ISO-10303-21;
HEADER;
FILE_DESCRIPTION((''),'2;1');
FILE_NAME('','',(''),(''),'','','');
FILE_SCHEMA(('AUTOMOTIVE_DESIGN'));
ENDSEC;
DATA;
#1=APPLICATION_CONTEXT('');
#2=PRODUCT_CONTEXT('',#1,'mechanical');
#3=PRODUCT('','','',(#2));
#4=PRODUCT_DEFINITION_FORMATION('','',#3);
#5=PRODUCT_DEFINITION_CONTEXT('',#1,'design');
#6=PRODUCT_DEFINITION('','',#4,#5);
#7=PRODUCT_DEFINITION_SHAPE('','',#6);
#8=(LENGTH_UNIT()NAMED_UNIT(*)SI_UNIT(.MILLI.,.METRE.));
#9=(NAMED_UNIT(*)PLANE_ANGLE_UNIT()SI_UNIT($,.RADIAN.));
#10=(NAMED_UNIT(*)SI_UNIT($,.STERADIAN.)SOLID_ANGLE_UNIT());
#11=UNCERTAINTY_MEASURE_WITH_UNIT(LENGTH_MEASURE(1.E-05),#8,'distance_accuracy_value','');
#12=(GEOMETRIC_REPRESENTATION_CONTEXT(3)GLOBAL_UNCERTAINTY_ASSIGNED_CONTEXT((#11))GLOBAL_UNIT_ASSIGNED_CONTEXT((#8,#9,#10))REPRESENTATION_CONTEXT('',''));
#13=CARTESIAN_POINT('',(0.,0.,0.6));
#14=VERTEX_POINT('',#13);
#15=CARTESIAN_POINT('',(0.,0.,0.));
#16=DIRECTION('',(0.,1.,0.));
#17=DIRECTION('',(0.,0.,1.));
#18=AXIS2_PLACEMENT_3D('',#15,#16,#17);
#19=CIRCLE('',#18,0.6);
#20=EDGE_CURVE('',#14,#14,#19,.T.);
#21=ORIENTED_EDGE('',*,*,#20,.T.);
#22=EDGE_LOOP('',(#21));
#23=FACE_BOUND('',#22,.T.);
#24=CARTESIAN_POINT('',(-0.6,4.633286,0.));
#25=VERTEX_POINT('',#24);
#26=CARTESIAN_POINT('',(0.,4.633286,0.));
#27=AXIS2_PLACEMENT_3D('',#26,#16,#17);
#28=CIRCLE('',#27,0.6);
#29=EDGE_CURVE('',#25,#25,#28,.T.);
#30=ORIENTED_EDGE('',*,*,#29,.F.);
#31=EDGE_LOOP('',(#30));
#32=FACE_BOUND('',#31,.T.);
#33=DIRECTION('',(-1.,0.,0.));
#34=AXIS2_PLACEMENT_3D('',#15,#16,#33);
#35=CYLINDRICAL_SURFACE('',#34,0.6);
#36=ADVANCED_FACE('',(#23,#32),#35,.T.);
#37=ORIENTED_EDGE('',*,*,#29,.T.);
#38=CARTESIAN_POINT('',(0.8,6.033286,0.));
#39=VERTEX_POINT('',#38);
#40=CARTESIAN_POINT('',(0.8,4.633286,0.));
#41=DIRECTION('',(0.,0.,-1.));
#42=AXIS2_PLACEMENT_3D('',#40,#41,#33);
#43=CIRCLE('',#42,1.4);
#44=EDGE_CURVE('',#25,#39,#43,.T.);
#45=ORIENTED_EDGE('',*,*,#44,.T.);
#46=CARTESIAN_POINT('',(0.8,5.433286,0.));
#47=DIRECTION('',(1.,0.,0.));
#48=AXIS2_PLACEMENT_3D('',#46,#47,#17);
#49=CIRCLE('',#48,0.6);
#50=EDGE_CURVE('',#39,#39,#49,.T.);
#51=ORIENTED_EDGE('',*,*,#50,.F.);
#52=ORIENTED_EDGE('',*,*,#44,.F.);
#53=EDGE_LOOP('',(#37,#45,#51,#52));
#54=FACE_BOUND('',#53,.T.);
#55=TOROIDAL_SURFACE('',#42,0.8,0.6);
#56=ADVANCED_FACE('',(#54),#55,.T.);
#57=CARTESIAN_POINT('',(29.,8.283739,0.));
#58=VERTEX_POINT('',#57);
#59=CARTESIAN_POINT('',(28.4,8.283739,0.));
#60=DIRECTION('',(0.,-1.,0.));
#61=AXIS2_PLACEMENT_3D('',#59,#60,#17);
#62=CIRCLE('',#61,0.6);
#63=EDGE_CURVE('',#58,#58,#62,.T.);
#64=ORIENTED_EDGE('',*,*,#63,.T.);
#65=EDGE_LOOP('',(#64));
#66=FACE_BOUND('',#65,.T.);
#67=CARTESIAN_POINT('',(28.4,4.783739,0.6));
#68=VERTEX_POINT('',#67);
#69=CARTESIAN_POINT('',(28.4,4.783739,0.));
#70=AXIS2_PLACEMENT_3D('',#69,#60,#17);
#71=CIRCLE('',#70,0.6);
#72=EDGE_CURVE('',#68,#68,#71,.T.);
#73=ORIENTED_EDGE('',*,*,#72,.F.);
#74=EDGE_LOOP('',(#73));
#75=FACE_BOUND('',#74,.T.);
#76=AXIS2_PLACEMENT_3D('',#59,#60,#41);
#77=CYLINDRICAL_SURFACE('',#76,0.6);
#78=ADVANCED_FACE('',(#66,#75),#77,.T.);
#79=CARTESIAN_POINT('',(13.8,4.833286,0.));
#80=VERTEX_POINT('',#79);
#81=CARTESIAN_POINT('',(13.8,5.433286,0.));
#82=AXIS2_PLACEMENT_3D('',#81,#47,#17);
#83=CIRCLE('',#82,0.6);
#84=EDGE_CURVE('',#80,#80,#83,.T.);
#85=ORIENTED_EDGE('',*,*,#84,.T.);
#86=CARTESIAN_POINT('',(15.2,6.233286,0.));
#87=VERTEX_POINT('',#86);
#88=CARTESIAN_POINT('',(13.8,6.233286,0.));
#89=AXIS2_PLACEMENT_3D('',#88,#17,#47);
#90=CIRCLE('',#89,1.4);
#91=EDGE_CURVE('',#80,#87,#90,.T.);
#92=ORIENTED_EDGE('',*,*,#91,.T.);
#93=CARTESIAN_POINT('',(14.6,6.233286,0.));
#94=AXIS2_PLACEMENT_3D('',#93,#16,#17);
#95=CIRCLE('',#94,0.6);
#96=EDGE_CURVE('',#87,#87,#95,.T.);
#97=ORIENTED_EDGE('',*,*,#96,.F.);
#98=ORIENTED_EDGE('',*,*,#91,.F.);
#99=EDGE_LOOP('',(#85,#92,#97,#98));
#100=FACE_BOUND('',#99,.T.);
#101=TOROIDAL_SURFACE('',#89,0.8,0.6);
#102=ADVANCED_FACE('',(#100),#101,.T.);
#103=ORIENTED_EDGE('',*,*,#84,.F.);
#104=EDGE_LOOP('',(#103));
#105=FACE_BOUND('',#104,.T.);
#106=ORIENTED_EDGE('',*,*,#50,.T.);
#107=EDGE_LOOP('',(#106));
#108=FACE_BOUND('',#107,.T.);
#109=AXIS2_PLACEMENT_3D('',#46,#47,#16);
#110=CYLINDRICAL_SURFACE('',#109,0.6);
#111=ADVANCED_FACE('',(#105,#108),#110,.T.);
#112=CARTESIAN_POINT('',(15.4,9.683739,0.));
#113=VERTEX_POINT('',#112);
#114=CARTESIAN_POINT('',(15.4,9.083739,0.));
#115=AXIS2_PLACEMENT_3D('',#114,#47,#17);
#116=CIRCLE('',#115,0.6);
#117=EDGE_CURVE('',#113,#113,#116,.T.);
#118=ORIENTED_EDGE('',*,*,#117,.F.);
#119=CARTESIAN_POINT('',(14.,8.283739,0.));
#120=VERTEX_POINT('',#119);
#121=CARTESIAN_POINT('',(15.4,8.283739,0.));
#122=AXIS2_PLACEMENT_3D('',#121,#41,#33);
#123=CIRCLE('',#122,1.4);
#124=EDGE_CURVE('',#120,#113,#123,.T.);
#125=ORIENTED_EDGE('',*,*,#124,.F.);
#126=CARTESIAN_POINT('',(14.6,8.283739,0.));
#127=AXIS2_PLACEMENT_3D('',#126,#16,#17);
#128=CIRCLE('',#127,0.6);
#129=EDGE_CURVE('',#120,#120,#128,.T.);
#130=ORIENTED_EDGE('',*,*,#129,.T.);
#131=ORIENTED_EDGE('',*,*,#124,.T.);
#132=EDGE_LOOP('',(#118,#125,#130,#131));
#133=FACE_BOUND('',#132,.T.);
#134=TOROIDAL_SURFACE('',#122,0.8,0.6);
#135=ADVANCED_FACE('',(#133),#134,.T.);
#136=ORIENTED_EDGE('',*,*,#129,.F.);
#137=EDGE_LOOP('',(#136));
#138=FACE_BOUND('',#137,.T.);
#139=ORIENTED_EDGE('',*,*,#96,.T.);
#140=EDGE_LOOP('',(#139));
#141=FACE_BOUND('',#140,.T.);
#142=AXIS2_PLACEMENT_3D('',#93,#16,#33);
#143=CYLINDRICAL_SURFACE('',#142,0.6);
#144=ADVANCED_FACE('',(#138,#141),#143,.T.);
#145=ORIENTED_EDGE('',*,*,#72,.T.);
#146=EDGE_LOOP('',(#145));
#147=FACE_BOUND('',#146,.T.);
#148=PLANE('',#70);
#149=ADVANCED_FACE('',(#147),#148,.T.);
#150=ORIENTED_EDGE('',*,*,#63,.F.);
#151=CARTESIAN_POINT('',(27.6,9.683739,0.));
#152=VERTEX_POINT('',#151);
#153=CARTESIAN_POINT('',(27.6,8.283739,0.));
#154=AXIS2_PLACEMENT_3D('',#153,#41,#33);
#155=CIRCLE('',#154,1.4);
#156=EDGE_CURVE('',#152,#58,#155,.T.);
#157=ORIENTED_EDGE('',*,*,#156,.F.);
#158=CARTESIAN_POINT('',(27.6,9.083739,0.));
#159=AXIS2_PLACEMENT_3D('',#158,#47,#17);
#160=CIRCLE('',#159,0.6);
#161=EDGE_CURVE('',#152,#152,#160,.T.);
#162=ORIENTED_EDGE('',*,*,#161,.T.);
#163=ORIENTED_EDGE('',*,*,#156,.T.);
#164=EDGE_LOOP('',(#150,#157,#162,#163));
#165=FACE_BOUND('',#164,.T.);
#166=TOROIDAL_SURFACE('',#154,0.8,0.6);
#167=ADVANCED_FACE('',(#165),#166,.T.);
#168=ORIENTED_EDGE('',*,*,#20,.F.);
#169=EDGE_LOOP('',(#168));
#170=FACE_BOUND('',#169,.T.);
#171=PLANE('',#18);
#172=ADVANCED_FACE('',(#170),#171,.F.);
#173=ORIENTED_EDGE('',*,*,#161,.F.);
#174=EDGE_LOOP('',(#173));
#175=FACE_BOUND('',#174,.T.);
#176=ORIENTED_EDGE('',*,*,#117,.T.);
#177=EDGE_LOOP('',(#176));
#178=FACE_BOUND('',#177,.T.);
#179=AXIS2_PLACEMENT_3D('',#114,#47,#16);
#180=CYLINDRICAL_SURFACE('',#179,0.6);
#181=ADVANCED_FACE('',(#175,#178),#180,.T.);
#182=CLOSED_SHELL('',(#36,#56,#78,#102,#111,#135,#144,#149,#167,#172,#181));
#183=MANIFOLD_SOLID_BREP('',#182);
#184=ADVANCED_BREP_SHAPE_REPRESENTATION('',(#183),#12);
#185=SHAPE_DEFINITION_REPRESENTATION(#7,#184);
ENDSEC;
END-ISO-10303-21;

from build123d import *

# Parameters (mm, degrees)
SKETCH2_R = 0.6


with BuildPart() as part:
    # Sweep3: sweep along a path in Sketch1
    with BuildLine(Plane.XY) as sweep3_path:
        Line((0, 0), (0, 4.633286343))
        ThreePointArc((0, 4.633286343), (0.234314575, 5.198971768), (0.8, 5.433286343))
        Line((0.8, 5.433286343), (13.8, 5.433286343))
        ThreePointArc((13.8, 5.433286343), (14.365685425, 5.667600918), (14.6, 6.233286343))
        Line((14.6, 6.233286343), (14.6, 8.283739433))
        ThreePointArc((14.6, 8.283739433), (14.834314575, 8.849424858), (15.4, 9.083739433))
        Line((15.4, 9.083739433), (27.6, 9.083739433))
        ThreePointArc((27.6, 9.083739433), (28.165685425, 8.849424858), (28.4, 8.283739433))
        Line((28.4, 8.283739433), (28.4, 4.783739433))
    # Sketch2 → Sweep3 (sweep)
    with BuildSketch(Plane(origin=(0, 0, 0), x_dir=(1, 0, 0), z_dir=(0, 1, 0))):
        Circle(SKETCH2_R)
    sweep(path=sweep3_path.line)


solid = part.part
